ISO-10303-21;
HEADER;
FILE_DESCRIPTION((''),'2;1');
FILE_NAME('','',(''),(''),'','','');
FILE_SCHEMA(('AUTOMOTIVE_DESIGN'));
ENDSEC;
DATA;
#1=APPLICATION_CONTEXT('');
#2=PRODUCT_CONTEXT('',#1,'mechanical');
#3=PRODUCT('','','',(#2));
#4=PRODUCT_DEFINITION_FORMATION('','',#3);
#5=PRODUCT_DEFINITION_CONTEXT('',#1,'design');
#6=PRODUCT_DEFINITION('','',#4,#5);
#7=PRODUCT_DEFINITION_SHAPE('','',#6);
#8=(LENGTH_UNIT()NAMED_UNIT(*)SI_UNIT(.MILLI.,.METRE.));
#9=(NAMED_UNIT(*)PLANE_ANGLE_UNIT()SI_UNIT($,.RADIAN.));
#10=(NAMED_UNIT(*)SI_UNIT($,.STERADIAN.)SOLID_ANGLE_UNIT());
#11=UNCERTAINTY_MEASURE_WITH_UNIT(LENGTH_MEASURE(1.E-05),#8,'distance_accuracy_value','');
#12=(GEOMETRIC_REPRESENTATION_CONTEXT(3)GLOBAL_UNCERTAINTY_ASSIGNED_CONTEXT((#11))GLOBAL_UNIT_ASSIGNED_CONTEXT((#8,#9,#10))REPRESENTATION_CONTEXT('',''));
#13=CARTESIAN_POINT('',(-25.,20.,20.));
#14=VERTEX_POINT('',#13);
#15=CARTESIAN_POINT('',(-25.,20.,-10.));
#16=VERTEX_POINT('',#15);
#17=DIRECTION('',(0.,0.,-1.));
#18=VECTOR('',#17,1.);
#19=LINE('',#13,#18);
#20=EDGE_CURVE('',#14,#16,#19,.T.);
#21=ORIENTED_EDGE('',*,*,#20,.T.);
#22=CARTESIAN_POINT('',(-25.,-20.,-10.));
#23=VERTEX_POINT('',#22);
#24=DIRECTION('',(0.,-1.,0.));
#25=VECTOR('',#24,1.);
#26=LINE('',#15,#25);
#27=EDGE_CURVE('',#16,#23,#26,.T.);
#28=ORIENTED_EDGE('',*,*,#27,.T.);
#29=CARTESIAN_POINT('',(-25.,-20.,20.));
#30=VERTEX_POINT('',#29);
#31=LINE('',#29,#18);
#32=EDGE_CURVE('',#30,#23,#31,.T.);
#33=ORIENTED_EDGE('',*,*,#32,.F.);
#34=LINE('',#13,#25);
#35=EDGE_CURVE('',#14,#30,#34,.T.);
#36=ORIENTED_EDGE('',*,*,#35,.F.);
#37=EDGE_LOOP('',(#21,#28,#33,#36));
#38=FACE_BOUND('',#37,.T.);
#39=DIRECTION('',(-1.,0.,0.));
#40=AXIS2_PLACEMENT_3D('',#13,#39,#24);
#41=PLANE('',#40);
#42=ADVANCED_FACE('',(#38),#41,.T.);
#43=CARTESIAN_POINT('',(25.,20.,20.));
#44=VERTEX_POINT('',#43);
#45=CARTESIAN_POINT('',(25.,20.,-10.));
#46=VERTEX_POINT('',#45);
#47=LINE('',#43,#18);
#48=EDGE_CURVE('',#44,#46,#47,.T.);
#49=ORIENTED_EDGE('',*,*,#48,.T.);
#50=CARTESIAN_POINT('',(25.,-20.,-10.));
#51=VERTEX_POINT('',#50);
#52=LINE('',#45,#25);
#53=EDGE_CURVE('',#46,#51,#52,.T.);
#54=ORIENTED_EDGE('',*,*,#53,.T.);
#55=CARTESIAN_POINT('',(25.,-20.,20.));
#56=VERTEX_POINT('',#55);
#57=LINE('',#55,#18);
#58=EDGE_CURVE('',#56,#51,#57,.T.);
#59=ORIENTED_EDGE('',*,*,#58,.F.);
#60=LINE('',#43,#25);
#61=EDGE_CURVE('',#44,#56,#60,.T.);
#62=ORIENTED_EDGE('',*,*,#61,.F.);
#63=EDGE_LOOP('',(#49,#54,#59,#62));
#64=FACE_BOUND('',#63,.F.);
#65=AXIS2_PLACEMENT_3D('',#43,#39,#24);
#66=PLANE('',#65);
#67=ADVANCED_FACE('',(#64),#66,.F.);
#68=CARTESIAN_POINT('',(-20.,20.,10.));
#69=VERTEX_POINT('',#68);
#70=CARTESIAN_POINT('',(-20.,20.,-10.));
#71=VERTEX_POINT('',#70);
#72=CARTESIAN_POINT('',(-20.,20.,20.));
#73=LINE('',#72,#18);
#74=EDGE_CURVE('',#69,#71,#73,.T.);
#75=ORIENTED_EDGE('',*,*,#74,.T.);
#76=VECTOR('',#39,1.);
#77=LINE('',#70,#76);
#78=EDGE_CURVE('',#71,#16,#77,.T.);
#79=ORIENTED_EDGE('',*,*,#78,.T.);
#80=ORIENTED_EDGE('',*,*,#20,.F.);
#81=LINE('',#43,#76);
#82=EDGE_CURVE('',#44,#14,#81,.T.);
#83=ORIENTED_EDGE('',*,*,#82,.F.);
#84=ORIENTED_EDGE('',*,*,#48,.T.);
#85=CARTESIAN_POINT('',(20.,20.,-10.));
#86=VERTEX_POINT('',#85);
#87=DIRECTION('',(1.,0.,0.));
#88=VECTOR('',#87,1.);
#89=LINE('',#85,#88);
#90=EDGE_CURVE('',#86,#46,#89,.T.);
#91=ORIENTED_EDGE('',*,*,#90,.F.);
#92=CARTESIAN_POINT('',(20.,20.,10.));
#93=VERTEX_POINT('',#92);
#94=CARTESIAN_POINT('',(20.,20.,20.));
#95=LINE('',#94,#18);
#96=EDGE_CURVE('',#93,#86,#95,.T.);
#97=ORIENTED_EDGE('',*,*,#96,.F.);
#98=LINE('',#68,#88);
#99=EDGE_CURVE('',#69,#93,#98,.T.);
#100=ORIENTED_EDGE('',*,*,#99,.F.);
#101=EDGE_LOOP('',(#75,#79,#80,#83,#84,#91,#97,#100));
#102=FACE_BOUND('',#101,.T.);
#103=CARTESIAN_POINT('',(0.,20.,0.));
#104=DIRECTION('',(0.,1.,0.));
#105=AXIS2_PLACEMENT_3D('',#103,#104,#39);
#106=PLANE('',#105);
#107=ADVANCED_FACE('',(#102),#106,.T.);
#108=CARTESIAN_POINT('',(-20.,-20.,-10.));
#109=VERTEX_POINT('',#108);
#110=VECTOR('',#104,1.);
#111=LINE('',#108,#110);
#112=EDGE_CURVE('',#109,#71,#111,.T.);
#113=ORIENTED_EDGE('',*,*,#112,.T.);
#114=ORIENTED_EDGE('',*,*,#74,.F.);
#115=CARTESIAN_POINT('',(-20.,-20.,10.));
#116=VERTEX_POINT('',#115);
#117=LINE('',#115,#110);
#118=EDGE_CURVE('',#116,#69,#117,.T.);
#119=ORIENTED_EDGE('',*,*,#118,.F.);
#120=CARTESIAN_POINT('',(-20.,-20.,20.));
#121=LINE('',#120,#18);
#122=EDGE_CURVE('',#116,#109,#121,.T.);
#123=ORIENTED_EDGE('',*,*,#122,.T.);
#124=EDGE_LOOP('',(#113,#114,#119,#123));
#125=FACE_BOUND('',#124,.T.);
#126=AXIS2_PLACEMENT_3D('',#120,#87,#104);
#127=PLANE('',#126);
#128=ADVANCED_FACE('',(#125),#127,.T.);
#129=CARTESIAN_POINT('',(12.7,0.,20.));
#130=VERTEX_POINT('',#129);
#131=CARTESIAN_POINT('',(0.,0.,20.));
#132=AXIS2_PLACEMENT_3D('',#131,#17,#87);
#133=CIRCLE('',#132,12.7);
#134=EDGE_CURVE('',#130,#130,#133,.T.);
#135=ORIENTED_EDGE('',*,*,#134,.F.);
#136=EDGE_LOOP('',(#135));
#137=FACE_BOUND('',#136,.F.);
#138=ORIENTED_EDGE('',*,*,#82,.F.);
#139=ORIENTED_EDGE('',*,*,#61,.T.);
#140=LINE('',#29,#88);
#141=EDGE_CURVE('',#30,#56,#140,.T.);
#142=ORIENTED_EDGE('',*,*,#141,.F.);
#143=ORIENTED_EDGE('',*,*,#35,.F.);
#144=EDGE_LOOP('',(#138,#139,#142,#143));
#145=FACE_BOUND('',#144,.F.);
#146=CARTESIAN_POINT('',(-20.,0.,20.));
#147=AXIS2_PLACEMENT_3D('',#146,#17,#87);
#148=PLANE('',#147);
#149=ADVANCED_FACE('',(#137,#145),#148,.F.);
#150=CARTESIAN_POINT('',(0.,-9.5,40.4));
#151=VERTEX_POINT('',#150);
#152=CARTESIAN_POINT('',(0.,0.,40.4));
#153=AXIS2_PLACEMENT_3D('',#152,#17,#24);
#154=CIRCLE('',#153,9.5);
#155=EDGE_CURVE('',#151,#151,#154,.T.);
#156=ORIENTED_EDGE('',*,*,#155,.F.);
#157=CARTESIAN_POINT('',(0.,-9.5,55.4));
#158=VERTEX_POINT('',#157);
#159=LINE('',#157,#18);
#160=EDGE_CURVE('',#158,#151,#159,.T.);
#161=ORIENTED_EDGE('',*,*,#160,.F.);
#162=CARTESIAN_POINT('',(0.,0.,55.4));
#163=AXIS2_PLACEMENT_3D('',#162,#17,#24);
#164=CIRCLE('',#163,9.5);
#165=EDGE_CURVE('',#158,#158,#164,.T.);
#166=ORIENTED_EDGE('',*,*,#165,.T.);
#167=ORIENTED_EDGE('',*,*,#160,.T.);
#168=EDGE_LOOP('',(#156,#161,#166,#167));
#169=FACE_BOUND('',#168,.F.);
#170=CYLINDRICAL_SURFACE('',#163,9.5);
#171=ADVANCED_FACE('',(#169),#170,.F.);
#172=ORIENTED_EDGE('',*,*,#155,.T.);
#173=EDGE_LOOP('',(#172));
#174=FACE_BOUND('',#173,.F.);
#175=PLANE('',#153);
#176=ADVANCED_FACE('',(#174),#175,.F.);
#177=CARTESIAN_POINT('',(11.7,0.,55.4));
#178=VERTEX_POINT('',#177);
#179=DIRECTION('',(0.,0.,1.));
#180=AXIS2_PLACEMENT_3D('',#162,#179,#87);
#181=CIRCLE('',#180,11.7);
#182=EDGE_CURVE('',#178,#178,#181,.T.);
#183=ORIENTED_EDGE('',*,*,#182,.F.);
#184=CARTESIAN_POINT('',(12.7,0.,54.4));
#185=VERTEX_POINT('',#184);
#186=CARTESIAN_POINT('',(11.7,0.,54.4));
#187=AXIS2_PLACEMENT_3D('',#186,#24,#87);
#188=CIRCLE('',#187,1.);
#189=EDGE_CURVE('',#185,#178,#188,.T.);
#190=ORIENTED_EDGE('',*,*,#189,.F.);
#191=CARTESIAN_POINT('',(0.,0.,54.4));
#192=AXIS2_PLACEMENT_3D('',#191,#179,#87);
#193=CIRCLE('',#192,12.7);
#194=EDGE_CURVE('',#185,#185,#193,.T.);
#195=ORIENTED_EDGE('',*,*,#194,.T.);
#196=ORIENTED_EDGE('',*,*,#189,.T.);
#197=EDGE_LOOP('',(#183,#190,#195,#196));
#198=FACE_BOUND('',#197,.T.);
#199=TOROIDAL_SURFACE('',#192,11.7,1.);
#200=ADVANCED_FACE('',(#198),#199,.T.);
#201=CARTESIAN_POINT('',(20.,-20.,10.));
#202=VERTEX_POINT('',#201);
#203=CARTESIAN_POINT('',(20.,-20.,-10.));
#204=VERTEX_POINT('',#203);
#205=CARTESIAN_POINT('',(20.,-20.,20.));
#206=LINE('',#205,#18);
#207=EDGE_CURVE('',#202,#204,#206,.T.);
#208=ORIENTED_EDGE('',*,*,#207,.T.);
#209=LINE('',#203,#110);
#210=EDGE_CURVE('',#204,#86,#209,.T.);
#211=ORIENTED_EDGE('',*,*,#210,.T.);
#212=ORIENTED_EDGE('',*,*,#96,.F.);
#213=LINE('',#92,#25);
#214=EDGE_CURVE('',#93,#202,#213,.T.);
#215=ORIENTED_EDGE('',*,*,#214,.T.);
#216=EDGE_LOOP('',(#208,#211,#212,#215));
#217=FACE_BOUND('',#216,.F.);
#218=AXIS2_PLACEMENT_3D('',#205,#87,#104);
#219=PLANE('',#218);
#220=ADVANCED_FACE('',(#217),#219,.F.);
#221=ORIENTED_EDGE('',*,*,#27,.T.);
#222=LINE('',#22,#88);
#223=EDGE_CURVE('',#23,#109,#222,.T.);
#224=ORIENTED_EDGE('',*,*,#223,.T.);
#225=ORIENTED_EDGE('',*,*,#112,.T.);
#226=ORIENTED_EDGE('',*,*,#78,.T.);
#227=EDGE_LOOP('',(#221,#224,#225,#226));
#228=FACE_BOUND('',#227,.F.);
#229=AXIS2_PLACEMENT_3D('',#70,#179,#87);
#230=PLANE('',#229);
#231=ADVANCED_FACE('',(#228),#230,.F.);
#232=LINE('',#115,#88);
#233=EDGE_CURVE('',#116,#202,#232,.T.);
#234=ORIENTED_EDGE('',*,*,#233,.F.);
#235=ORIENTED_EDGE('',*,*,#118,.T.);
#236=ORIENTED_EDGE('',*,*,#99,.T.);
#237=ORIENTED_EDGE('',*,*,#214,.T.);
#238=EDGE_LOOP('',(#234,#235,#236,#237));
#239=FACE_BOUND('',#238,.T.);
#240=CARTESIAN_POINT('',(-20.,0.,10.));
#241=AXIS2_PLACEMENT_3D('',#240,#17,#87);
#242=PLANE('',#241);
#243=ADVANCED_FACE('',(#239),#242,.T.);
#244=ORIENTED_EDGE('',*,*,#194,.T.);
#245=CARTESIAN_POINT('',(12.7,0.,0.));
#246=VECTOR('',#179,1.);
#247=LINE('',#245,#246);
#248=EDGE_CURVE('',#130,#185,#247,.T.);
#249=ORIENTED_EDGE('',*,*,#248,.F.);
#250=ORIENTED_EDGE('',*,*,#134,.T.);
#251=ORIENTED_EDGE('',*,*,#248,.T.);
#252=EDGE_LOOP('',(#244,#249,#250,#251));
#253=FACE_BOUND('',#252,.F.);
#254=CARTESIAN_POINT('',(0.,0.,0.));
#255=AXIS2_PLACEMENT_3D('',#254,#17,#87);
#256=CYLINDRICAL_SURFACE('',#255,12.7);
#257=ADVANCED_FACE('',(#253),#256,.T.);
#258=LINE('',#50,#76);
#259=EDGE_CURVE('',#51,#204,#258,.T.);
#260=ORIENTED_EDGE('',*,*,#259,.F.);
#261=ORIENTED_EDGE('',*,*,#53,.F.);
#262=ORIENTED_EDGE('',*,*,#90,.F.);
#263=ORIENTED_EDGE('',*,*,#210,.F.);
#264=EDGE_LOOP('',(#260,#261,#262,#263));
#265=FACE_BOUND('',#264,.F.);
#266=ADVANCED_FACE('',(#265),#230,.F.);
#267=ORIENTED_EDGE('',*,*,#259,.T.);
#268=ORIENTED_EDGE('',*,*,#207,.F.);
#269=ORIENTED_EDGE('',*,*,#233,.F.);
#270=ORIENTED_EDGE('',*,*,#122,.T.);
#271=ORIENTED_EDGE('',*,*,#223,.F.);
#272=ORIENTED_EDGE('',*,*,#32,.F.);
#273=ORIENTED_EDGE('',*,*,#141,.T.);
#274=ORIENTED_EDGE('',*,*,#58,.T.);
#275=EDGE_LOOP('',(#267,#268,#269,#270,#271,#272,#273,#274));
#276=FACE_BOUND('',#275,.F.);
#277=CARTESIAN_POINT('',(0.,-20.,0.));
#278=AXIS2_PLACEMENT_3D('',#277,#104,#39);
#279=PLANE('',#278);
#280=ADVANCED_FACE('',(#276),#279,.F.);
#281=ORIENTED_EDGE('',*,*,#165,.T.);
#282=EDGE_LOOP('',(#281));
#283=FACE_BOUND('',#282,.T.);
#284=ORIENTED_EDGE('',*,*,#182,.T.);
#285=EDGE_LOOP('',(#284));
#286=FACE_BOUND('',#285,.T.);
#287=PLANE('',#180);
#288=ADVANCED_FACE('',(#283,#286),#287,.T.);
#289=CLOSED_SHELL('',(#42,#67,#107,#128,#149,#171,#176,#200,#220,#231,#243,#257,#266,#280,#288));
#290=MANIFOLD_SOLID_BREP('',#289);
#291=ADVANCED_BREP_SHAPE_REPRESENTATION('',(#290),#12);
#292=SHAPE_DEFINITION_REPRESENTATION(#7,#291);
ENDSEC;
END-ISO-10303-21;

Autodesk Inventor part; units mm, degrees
ref_plane "YZ Plane" through (0, 0, 0) normal (1, 0, 0) x (0, 1, 0)
ref_plane "XZ Plane" through (0, 0, 0) normal (0, 1, 0) x (-1, 0, 0)
ref_plane "XY Plane" through (0, 0, 0) normal (0, 0, 1) x (1, 0, 0)
sketch "Sketch1" plane through (0, 0, 0) normal (0, 1, 0) x (-1, 0, 0)
  line L0 (20, 0) -> (20, 20)
  line L1 (20, 20) -> (-20, 20)
  line L2 (-20, 20) -> (-20, 0)
  line L3 (20, 10) -> (-20, 10)
  dimension "d49" = 40
extrude "Extrusion1" add sketch "Sketch1" along normal mid plane 40
sketch "Sketch6" plane through (0, 0, 0) normal (0, 0, 1) x (1, 0, 0)
  circle A0 centre (0, 0) radius 12.7
  dimension "d33" = 25.4
extrude "Extrusion6" add sketch "Sketch6" along normal blind 55.4
hole "Hole2" at (0, 0, 55.4) direction (0, 0, -1) diameter 19 depth 15
fillet "Fillet3" radius 1 1 edges at (-12.7, 0, 55.4)
sketch "Sketch8" plane through (0, 0, 0) normal (0, 0, -1) x (-1, 0, 0)
  circle A0 centre (0, 0) radius 13
extrude "Extrusion8" cut sketch "Sketch8" against normal blind 10
sketch "Sketch10" plane through (-20, 20, 20) normal (0, 0, 1) x (1, 0, 0)
  line L0 (0, 0) -> (-5, 0)
  line L1 (-5, 0) -> (-5, -40)
  line L2 (-5, -40) -> (0, -40)
  line L3 (0, -40) -> (0, 0)
  line L4 (40, 0) -> (45, 0)
  line L5 (45, 0) -> (45, -40)
  line L6 (45, -40) -> (40, -40)
  line L7 (40, -40) -> (40, 0)
  point P0 (20, -20)
extrude "Extrusion9" add sketch "Sketch10" against normal blind 30
properties part number "suporte-barra" material "Steel, Carbon"
